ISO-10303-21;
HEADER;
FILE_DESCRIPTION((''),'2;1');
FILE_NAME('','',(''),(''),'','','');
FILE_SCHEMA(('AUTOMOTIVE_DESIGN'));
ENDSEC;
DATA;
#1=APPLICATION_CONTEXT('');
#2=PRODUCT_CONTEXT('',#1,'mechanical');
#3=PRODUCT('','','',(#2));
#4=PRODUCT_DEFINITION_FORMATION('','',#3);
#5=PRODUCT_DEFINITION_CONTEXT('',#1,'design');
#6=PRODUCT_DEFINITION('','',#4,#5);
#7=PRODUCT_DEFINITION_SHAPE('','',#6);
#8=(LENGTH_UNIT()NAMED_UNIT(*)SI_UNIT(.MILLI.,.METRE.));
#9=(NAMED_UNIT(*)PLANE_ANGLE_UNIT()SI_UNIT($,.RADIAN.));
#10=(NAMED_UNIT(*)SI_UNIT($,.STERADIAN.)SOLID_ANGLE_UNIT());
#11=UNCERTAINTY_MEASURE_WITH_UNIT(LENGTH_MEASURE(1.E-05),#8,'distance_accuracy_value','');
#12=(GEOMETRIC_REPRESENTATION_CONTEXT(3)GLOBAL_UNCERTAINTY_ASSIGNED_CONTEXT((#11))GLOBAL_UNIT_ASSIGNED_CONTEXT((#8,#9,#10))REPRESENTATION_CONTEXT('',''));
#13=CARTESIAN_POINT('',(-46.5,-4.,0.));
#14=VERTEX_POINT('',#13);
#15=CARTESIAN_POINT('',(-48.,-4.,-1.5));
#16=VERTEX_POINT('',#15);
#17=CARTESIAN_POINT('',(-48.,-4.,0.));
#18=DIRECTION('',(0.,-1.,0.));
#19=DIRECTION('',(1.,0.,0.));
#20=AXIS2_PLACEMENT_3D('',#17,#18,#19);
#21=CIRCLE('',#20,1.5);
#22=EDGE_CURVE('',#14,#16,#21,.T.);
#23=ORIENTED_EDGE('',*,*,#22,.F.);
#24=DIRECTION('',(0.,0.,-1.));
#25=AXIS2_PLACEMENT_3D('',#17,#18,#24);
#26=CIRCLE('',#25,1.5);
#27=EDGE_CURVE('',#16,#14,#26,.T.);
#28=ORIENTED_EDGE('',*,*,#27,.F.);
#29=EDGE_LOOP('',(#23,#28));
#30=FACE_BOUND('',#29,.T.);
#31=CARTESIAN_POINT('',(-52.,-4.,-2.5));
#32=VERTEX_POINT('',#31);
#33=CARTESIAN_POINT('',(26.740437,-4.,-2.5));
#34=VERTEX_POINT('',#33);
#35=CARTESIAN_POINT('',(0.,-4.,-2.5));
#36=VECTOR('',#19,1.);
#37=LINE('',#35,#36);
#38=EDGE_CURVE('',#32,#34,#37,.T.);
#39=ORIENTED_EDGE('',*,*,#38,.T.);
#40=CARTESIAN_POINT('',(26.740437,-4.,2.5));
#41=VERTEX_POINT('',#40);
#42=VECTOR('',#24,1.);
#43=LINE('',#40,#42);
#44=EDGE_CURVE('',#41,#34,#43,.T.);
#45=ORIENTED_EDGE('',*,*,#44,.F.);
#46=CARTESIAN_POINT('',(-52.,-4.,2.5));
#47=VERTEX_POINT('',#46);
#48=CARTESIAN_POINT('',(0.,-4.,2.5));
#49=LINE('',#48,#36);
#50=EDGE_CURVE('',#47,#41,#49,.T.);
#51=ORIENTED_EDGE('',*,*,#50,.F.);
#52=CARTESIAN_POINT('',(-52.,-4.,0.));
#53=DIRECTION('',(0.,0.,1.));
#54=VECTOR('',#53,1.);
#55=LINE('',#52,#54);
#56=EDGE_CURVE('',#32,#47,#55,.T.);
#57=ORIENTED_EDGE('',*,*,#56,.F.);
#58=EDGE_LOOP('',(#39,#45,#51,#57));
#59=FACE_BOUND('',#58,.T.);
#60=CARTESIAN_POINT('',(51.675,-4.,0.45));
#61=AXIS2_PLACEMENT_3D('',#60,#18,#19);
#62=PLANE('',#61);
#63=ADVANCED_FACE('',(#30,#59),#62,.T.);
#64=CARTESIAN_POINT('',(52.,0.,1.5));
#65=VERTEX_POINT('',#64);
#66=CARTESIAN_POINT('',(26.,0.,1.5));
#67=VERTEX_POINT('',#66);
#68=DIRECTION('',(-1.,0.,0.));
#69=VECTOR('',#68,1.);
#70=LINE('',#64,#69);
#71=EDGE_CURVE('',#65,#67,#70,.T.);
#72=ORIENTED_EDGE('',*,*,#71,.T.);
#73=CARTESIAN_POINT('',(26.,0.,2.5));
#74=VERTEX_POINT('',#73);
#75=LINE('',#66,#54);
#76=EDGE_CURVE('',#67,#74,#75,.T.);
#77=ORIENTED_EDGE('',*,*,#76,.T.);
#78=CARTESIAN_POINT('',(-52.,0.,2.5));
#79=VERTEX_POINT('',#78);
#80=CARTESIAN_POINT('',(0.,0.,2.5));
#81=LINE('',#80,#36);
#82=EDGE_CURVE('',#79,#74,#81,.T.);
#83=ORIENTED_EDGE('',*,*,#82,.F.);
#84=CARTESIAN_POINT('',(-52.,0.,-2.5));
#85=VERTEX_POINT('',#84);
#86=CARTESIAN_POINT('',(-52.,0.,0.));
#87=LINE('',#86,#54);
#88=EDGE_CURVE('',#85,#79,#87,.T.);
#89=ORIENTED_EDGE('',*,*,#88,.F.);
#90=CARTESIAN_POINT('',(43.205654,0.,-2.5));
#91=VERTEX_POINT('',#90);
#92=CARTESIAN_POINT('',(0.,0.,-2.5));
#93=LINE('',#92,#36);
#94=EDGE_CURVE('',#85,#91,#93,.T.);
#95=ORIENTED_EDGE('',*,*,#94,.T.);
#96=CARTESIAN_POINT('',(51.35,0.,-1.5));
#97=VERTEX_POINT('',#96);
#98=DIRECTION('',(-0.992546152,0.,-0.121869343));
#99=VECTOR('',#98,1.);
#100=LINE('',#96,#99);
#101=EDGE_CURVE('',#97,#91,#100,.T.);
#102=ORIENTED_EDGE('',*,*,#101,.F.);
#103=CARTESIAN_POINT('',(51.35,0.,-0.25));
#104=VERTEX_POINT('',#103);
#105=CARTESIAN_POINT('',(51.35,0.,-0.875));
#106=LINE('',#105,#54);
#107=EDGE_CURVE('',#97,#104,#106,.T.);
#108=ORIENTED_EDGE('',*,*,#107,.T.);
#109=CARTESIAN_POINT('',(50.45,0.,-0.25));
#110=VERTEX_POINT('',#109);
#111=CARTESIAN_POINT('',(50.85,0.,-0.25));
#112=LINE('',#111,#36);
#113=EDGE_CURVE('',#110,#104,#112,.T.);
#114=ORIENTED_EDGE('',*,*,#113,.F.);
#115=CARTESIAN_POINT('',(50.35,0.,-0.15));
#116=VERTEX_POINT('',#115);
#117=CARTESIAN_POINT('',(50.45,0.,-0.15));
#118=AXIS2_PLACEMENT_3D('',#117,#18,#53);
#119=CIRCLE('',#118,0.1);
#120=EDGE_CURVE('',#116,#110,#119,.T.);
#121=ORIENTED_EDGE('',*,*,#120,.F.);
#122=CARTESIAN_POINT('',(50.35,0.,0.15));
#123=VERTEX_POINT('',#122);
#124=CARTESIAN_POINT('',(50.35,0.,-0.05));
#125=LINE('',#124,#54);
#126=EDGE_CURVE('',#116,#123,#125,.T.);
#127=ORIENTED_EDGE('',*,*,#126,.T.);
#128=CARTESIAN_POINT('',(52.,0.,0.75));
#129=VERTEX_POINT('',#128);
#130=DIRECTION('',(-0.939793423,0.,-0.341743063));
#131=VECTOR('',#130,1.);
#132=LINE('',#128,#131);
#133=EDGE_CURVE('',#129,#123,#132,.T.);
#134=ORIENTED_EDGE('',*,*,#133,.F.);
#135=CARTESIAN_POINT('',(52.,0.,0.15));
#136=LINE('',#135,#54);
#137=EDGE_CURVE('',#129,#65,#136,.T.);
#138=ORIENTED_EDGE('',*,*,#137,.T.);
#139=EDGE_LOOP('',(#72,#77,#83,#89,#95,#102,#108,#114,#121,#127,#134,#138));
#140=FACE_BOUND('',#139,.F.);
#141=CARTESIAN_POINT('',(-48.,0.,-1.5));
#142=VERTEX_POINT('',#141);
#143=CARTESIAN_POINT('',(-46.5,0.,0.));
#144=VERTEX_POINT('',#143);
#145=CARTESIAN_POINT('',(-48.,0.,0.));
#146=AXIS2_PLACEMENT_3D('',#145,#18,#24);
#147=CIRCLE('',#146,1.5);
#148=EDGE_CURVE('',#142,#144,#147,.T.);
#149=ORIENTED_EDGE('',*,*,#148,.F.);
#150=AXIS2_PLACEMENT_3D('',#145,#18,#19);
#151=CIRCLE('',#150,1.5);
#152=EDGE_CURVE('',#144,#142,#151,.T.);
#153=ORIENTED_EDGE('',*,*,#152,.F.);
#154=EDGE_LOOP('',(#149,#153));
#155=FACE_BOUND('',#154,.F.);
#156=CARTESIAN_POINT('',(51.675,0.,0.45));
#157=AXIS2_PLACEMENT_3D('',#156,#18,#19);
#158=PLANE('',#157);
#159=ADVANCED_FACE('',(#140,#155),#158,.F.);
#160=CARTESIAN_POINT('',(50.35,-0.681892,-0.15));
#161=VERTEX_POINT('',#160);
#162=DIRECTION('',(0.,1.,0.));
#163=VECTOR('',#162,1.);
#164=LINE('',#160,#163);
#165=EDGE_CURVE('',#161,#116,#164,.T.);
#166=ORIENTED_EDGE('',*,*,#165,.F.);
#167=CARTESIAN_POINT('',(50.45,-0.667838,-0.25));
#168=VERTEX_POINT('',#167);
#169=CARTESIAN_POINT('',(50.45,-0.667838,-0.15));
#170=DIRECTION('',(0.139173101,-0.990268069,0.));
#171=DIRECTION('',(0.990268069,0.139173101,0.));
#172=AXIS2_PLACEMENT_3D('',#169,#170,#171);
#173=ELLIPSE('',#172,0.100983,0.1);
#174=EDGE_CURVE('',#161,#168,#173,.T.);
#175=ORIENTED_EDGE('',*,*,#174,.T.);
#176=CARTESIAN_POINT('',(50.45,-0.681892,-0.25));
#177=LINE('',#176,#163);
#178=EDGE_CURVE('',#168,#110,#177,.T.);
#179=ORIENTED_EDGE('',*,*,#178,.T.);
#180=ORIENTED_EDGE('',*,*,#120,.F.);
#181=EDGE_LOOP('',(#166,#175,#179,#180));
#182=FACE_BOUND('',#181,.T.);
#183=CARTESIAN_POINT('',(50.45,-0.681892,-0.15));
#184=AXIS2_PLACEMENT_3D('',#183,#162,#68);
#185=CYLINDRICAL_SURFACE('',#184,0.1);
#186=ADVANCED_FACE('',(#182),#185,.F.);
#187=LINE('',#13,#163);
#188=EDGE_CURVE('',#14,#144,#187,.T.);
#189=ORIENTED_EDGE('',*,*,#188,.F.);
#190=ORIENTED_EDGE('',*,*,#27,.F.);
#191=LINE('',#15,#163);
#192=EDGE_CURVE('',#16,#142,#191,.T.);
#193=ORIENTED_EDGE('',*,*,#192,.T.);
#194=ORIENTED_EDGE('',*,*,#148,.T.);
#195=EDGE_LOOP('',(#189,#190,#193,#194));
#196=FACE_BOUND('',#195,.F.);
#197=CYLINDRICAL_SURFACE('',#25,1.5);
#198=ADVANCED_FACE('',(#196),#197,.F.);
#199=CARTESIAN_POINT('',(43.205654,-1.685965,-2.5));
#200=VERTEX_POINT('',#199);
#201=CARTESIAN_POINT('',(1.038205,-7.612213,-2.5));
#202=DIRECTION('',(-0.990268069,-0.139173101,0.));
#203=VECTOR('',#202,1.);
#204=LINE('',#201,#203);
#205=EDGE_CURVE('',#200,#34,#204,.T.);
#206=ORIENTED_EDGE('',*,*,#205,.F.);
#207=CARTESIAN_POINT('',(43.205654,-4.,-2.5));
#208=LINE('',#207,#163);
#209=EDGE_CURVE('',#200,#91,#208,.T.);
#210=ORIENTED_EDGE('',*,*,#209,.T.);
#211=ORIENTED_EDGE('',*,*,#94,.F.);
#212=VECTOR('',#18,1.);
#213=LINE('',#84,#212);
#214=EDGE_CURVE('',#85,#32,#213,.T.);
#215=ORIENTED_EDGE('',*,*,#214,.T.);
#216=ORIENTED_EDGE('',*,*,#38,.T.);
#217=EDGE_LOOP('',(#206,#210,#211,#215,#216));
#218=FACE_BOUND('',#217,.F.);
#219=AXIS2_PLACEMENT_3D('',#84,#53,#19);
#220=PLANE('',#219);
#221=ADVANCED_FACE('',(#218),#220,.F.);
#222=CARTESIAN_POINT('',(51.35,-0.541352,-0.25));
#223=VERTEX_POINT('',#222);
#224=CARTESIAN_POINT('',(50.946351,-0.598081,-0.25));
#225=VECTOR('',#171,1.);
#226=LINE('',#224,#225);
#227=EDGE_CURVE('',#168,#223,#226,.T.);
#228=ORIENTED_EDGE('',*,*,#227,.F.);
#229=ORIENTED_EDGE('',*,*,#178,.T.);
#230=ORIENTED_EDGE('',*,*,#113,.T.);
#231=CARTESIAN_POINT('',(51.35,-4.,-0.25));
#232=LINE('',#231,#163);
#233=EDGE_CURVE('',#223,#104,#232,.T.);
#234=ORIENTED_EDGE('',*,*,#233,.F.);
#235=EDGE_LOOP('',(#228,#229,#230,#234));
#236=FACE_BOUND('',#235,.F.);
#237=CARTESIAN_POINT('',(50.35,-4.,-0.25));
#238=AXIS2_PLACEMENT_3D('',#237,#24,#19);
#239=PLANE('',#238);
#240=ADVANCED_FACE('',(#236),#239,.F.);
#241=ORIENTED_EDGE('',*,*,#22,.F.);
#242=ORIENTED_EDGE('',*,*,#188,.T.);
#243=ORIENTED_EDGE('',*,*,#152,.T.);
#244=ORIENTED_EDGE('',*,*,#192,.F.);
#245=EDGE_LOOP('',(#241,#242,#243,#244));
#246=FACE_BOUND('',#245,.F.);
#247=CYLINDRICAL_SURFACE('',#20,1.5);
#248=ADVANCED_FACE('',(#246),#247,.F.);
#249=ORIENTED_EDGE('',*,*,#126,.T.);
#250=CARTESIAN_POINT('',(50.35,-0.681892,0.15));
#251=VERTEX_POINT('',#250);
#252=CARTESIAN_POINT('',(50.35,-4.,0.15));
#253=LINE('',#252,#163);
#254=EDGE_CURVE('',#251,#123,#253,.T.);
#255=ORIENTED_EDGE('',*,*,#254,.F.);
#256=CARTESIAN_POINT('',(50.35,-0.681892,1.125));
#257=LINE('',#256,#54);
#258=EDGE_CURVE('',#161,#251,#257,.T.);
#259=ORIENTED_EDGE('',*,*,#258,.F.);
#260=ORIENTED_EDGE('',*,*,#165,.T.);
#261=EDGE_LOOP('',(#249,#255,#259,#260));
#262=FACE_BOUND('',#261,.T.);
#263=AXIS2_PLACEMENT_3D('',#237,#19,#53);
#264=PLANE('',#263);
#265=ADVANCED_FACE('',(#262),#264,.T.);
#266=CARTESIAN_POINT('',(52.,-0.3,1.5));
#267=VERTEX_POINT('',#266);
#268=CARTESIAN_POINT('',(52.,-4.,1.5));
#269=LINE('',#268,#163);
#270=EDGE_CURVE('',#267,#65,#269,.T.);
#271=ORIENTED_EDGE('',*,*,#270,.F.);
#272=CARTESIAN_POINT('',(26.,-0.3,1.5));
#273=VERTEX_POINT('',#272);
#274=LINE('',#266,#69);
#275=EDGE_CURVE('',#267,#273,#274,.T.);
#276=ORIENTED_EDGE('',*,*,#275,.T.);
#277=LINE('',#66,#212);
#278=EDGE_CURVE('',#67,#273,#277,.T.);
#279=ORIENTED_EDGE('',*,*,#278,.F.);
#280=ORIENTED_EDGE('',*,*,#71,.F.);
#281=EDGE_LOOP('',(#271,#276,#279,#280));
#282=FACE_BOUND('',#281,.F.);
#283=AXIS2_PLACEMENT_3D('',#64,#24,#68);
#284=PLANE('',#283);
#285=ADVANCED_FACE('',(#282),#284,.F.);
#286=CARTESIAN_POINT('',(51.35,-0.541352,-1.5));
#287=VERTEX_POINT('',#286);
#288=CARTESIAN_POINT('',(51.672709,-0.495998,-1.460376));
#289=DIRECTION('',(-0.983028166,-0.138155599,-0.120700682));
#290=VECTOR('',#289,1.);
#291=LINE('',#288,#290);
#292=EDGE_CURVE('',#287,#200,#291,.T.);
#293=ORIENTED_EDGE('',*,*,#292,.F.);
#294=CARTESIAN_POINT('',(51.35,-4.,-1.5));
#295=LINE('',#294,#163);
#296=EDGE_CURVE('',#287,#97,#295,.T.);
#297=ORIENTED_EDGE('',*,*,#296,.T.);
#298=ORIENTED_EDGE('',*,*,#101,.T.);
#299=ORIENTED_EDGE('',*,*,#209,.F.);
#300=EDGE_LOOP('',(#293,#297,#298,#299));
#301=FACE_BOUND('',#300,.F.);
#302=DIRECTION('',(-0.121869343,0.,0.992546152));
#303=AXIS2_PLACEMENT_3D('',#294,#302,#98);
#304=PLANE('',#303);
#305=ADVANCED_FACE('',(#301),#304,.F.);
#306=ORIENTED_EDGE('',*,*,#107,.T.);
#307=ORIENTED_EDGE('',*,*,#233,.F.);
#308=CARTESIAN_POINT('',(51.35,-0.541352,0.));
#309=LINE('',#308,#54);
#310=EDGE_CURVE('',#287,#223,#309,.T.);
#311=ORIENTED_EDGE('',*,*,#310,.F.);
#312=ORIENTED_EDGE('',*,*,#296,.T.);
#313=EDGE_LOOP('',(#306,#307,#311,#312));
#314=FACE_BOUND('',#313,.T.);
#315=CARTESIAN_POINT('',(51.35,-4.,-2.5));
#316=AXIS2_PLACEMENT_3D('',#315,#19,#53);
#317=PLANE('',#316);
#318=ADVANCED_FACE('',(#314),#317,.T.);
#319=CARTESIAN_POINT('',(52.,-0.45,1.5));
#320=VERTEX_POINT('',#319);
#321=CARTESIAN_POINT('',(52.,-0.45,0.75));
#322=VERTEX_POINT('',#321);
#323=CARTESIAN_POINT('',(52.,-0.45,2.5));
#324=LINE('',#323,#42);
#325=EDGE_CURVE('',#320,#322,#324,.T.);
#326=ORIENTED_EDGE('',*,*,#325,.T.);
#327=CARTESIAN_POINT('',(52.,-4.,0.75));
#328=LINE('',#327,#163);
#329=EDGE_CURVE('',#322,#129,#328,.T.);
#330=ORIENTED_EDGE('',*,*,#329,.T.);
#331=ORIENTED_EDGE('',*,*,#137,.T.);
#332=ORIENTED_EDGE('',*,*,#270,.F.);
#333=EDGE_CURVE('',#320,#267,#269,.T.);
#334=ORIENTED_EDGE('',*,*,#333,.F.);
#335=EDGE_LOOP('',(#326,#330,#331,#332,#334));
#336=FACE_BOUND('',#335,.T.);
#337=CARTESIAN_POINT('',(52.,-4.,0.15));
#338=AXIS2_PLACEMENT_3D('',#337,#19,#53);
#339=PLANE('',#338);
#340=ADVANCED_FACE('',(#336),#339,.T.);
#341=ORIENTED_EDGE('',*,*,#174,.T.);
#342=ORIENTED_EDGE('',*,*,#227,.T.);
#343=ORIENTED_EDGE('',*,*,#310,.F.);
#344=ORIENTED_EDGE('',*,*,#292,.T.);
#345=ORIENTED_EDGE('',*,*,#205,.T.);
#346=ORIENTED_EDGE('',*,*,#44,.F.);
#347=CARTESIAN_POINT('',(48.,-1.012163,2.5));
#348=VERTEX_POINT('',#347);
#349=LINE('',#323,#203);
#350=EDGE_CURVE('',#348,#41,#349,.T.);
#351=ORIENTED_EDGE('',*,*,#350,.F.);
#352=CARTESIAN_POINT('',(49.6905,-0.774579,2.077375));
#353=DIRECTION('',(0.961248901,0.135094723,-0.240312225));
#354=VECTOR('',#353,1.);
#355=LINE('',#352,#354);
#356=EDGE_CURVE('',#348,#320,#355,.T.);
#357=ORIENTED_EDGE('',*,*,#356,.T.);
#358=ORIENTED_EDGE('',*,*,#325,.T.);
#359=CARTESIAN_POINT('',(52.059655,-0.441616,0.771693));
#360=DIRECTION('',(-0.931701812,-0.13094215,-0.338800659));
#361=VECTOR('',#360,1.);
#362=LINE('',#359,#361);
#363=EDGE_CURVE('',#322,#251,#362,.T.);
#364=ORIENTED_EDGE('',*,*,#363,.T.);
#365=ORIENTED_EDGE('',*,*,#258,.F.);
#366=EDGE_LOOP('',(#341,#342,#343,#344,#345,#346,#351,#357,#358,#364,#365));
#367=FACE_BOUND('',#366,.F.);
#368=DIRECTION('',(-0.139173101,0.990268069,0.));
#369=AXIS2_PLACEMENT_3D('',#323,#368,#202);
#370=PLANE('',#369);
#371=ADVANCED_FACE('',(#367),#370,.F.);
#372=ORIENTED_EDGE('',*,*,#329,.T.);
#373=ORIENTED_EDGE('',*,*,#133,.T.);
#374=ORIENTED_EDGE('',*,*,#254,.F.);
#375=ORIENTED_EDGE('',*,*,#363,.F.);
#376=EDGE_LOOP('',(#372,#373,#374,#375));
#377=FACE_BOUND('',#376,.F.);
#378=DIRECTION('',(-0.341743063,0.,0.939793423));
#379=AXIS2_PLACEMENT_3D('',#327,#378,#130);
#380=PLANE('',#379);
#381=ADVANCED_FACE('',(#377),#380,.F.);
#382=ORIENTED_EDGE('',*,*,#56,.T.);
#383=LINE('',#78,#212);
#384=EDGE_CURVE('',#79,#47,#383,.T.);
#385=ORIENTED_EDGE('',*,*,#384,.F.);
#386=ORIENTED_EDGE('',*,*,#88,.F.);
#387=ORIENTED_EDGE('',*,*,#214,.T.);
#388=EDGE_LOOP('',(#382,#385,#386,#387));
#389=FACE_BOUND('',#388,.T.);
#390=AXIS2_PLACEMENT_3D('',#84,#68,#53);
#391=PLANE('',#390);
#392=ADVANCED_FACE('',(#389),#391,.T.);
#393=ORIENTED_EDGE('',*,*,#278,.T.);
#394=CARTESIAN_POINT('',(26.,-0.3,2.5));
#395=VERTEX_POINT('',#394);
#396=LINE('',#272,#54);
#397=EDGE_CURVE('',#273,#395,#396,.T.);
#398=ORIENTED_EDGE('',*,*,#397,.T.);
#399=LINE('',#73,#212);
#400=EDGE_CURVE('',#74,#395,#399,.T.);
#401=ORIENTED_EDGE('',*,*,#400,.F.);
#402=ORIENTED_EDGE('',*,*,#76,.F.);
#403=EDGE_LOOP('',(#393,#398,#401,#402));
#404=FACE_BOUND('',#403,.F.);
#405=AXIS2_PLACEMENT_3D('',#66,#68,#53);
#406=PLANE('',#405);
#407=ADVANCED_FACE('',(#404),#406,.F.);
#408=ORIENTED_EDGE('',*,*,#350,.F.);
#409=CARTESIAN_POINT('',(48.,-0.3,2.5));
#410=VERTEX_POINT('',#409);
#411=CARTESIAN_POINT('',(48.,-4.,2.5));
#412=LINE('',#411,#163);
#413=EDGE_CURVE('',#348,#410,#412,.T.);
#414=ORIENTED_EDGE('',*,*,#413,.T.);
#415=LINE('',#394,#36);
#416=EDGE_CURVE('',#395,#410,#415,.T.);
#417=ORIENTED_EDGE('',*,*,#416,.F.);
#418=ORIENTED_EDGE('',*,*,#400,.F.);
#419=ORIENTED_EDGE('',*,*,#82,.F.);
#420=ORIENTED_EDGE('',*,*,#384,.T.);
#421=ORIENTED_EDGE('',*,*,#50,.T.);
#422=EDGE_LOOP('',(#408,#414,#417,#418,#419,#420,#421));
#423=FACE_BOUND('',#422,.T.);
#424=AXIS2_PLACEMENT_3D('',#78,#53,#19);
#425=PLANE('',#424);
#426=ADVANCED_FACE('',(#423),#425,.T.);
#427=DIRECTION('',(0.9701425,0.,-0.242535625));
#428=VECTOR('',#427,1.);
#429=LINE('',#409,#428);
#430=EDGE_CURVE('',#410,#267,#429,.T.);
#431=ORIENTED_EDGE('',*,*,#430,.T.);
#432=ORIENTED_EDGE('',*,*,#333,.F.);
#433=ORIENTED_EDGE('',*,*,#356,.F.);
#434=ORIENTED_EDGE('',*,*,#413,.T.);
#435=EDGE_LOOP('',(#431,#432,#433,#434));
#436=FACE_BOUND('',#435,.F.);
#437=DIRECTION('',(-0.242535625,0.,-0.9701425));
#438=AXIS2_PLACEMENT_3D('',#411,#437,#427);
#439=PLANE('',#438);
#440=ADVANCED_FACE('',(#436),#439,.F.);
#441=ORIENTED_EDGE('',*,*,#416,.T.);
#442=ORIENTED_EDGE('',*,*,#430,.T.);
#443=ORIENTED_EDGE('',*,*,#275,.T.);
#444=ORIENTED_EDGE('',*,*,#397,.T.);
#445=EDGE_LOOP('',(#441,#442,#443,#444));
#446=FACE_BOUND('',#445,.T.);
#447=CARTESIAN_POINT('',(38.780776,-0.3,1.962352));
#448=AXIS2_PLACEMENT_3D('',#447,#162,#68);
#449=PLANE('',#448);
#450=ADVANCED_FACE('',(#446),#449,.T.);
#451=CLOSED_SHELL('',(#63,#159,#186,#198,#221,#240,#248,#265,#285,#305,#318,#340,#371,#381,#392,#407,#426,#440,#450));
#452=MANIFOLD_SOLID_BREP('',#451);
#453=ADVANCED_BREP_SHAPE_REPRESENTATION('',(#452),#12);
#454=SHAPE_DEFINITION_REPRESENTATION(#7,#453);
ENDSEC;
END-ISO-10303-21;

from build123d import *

# Parameters (mm, degrees)
F0_W      = 104
F0_H      = 5
F1_DEPTH  = 4
F3_DEPTH  = 4
F4_W      = 0.65
F4_H      = 3.25
F5_DEPTH  = 4
F7_DEPTH  = 4
F8_W      = 1
F8_H      = 0.4
F9_DEPTH  = 4
F10_W     = 0.65
F10_H     = 0.6
F11_DEPTH = 4
F13_DEPTH = 4
F15_DEPTH = 4
F17_DEPTH = 5.001
F18_R     = 0.1
F20_DEPTH = 0.3


with BuildPart() as f1:
    # F0 (on Front) → F1 (new body)
    with BuildSketch(Plane.XZ):
        Rectangle(F0_W, F0_H)
    extrude(amount=F1_DEPTH)

    # F2 (on face) → F3 (cut, through all)
    with BuildSketch(Plane.XZ.offset(4)):
        with BuildLine():
            ThreePointArc((-48, -1.5), (-46.9393398282, -1.0606601718), (-46.5, 0))
            ThreePointArc((-46.5, 0), (-49.0606601718, 1.0606601718), (-48, -1.5))
        make_face()
    extrude(amount=-F3_DEPTH, mode=Mode.SUBTRACT)

    # F4 (on face) → F5 (cut, through all)
    with BuildSketch(Plane.XZ.offset(4)):
        with Locations((51.675, -0.875)):
            Rectangle(F4_W, F4_H)
    extrude(amount=-F5_DEPTH, mode=Mode.SUBTRACT)

    # F6 (on face) → F7 (cut, through all)
    with BuildSketch(Plane.XZ.offset(4)):
        Polygon((43.205653572, -2.5), (51.35, -2.5), (51.35, -1.5), align=None)
    extrude(amount=-F7_DEPTH, mode=Mode.SUBTRACT)

    # F8 (on face) → F9 (cut, through all)
    with BuildSketch(Plane.XZ.offset(4)):
        with Locations((50.85, -0.05)):
            Rectangle(F8_W, F8_H)
    extrude(amount=-F9_DEPTH, mode=Mode.SUBTRACT)

    # F10 (on face) → F11 (join)
    with BuildSketch(Plane.XZ.offset(4)):
        with Locations((51.675, 0.45)):
            Rectangle(F10_W, F10_H)
    extrude(amount=-F11_DEPTH)

    # F12 (on face) → F13 (cut, through all)
    with BuildSketch(Plane.XZ.offset(4)):
        Polygon((52, 0.15), (52, 0.75), (50.35, 0.15), align=None)
    extrude(amount=-F13_DEPTH, mode=Mode.SUBTRACT)

    # F14 (on face) → F15 (cut, through all)
    with BuildSketch(Plane.XZ.offset(4)):
        Polygon((52, 1.5), (52, 2.5), (48, 2.5), align=None)
    extrude(amount=-F15_DEPTH, mode=Mode.SUBTRACT)

    # F16 (on face) → F17 (cut, through all)
    with BuildSketch(Plane.XY.offset(2.5)):
        Polygon((52, -4), (52, -0.45), (26.7404374855, -4), align=None)
    extrude(amount=-F17_DEPTH, mode=Mode.SUBTRACT)

    # F18
    f18_edges = [f1.edges().sort_by_distance(p)[0] for p in [
        (50.35, -0.340946, -0.25),
    ]]
    fillet(f18_edges, radius=F18_R)

    # F19 (on face) → F20 (cut)
    with BuildSketch(Plane(origin=(0, 0, 0), x_dir=(-1, 0, 0), z_dir=(0, 1, 0))):
        Polygon((-48, 2.5), (-52, 1.5), (-26, 1.5), (-26, 2.5), align=None)
    extrude(amount=-F20_DEPTH, mode=Mode.SUBTRACT)


solid = f1.part
